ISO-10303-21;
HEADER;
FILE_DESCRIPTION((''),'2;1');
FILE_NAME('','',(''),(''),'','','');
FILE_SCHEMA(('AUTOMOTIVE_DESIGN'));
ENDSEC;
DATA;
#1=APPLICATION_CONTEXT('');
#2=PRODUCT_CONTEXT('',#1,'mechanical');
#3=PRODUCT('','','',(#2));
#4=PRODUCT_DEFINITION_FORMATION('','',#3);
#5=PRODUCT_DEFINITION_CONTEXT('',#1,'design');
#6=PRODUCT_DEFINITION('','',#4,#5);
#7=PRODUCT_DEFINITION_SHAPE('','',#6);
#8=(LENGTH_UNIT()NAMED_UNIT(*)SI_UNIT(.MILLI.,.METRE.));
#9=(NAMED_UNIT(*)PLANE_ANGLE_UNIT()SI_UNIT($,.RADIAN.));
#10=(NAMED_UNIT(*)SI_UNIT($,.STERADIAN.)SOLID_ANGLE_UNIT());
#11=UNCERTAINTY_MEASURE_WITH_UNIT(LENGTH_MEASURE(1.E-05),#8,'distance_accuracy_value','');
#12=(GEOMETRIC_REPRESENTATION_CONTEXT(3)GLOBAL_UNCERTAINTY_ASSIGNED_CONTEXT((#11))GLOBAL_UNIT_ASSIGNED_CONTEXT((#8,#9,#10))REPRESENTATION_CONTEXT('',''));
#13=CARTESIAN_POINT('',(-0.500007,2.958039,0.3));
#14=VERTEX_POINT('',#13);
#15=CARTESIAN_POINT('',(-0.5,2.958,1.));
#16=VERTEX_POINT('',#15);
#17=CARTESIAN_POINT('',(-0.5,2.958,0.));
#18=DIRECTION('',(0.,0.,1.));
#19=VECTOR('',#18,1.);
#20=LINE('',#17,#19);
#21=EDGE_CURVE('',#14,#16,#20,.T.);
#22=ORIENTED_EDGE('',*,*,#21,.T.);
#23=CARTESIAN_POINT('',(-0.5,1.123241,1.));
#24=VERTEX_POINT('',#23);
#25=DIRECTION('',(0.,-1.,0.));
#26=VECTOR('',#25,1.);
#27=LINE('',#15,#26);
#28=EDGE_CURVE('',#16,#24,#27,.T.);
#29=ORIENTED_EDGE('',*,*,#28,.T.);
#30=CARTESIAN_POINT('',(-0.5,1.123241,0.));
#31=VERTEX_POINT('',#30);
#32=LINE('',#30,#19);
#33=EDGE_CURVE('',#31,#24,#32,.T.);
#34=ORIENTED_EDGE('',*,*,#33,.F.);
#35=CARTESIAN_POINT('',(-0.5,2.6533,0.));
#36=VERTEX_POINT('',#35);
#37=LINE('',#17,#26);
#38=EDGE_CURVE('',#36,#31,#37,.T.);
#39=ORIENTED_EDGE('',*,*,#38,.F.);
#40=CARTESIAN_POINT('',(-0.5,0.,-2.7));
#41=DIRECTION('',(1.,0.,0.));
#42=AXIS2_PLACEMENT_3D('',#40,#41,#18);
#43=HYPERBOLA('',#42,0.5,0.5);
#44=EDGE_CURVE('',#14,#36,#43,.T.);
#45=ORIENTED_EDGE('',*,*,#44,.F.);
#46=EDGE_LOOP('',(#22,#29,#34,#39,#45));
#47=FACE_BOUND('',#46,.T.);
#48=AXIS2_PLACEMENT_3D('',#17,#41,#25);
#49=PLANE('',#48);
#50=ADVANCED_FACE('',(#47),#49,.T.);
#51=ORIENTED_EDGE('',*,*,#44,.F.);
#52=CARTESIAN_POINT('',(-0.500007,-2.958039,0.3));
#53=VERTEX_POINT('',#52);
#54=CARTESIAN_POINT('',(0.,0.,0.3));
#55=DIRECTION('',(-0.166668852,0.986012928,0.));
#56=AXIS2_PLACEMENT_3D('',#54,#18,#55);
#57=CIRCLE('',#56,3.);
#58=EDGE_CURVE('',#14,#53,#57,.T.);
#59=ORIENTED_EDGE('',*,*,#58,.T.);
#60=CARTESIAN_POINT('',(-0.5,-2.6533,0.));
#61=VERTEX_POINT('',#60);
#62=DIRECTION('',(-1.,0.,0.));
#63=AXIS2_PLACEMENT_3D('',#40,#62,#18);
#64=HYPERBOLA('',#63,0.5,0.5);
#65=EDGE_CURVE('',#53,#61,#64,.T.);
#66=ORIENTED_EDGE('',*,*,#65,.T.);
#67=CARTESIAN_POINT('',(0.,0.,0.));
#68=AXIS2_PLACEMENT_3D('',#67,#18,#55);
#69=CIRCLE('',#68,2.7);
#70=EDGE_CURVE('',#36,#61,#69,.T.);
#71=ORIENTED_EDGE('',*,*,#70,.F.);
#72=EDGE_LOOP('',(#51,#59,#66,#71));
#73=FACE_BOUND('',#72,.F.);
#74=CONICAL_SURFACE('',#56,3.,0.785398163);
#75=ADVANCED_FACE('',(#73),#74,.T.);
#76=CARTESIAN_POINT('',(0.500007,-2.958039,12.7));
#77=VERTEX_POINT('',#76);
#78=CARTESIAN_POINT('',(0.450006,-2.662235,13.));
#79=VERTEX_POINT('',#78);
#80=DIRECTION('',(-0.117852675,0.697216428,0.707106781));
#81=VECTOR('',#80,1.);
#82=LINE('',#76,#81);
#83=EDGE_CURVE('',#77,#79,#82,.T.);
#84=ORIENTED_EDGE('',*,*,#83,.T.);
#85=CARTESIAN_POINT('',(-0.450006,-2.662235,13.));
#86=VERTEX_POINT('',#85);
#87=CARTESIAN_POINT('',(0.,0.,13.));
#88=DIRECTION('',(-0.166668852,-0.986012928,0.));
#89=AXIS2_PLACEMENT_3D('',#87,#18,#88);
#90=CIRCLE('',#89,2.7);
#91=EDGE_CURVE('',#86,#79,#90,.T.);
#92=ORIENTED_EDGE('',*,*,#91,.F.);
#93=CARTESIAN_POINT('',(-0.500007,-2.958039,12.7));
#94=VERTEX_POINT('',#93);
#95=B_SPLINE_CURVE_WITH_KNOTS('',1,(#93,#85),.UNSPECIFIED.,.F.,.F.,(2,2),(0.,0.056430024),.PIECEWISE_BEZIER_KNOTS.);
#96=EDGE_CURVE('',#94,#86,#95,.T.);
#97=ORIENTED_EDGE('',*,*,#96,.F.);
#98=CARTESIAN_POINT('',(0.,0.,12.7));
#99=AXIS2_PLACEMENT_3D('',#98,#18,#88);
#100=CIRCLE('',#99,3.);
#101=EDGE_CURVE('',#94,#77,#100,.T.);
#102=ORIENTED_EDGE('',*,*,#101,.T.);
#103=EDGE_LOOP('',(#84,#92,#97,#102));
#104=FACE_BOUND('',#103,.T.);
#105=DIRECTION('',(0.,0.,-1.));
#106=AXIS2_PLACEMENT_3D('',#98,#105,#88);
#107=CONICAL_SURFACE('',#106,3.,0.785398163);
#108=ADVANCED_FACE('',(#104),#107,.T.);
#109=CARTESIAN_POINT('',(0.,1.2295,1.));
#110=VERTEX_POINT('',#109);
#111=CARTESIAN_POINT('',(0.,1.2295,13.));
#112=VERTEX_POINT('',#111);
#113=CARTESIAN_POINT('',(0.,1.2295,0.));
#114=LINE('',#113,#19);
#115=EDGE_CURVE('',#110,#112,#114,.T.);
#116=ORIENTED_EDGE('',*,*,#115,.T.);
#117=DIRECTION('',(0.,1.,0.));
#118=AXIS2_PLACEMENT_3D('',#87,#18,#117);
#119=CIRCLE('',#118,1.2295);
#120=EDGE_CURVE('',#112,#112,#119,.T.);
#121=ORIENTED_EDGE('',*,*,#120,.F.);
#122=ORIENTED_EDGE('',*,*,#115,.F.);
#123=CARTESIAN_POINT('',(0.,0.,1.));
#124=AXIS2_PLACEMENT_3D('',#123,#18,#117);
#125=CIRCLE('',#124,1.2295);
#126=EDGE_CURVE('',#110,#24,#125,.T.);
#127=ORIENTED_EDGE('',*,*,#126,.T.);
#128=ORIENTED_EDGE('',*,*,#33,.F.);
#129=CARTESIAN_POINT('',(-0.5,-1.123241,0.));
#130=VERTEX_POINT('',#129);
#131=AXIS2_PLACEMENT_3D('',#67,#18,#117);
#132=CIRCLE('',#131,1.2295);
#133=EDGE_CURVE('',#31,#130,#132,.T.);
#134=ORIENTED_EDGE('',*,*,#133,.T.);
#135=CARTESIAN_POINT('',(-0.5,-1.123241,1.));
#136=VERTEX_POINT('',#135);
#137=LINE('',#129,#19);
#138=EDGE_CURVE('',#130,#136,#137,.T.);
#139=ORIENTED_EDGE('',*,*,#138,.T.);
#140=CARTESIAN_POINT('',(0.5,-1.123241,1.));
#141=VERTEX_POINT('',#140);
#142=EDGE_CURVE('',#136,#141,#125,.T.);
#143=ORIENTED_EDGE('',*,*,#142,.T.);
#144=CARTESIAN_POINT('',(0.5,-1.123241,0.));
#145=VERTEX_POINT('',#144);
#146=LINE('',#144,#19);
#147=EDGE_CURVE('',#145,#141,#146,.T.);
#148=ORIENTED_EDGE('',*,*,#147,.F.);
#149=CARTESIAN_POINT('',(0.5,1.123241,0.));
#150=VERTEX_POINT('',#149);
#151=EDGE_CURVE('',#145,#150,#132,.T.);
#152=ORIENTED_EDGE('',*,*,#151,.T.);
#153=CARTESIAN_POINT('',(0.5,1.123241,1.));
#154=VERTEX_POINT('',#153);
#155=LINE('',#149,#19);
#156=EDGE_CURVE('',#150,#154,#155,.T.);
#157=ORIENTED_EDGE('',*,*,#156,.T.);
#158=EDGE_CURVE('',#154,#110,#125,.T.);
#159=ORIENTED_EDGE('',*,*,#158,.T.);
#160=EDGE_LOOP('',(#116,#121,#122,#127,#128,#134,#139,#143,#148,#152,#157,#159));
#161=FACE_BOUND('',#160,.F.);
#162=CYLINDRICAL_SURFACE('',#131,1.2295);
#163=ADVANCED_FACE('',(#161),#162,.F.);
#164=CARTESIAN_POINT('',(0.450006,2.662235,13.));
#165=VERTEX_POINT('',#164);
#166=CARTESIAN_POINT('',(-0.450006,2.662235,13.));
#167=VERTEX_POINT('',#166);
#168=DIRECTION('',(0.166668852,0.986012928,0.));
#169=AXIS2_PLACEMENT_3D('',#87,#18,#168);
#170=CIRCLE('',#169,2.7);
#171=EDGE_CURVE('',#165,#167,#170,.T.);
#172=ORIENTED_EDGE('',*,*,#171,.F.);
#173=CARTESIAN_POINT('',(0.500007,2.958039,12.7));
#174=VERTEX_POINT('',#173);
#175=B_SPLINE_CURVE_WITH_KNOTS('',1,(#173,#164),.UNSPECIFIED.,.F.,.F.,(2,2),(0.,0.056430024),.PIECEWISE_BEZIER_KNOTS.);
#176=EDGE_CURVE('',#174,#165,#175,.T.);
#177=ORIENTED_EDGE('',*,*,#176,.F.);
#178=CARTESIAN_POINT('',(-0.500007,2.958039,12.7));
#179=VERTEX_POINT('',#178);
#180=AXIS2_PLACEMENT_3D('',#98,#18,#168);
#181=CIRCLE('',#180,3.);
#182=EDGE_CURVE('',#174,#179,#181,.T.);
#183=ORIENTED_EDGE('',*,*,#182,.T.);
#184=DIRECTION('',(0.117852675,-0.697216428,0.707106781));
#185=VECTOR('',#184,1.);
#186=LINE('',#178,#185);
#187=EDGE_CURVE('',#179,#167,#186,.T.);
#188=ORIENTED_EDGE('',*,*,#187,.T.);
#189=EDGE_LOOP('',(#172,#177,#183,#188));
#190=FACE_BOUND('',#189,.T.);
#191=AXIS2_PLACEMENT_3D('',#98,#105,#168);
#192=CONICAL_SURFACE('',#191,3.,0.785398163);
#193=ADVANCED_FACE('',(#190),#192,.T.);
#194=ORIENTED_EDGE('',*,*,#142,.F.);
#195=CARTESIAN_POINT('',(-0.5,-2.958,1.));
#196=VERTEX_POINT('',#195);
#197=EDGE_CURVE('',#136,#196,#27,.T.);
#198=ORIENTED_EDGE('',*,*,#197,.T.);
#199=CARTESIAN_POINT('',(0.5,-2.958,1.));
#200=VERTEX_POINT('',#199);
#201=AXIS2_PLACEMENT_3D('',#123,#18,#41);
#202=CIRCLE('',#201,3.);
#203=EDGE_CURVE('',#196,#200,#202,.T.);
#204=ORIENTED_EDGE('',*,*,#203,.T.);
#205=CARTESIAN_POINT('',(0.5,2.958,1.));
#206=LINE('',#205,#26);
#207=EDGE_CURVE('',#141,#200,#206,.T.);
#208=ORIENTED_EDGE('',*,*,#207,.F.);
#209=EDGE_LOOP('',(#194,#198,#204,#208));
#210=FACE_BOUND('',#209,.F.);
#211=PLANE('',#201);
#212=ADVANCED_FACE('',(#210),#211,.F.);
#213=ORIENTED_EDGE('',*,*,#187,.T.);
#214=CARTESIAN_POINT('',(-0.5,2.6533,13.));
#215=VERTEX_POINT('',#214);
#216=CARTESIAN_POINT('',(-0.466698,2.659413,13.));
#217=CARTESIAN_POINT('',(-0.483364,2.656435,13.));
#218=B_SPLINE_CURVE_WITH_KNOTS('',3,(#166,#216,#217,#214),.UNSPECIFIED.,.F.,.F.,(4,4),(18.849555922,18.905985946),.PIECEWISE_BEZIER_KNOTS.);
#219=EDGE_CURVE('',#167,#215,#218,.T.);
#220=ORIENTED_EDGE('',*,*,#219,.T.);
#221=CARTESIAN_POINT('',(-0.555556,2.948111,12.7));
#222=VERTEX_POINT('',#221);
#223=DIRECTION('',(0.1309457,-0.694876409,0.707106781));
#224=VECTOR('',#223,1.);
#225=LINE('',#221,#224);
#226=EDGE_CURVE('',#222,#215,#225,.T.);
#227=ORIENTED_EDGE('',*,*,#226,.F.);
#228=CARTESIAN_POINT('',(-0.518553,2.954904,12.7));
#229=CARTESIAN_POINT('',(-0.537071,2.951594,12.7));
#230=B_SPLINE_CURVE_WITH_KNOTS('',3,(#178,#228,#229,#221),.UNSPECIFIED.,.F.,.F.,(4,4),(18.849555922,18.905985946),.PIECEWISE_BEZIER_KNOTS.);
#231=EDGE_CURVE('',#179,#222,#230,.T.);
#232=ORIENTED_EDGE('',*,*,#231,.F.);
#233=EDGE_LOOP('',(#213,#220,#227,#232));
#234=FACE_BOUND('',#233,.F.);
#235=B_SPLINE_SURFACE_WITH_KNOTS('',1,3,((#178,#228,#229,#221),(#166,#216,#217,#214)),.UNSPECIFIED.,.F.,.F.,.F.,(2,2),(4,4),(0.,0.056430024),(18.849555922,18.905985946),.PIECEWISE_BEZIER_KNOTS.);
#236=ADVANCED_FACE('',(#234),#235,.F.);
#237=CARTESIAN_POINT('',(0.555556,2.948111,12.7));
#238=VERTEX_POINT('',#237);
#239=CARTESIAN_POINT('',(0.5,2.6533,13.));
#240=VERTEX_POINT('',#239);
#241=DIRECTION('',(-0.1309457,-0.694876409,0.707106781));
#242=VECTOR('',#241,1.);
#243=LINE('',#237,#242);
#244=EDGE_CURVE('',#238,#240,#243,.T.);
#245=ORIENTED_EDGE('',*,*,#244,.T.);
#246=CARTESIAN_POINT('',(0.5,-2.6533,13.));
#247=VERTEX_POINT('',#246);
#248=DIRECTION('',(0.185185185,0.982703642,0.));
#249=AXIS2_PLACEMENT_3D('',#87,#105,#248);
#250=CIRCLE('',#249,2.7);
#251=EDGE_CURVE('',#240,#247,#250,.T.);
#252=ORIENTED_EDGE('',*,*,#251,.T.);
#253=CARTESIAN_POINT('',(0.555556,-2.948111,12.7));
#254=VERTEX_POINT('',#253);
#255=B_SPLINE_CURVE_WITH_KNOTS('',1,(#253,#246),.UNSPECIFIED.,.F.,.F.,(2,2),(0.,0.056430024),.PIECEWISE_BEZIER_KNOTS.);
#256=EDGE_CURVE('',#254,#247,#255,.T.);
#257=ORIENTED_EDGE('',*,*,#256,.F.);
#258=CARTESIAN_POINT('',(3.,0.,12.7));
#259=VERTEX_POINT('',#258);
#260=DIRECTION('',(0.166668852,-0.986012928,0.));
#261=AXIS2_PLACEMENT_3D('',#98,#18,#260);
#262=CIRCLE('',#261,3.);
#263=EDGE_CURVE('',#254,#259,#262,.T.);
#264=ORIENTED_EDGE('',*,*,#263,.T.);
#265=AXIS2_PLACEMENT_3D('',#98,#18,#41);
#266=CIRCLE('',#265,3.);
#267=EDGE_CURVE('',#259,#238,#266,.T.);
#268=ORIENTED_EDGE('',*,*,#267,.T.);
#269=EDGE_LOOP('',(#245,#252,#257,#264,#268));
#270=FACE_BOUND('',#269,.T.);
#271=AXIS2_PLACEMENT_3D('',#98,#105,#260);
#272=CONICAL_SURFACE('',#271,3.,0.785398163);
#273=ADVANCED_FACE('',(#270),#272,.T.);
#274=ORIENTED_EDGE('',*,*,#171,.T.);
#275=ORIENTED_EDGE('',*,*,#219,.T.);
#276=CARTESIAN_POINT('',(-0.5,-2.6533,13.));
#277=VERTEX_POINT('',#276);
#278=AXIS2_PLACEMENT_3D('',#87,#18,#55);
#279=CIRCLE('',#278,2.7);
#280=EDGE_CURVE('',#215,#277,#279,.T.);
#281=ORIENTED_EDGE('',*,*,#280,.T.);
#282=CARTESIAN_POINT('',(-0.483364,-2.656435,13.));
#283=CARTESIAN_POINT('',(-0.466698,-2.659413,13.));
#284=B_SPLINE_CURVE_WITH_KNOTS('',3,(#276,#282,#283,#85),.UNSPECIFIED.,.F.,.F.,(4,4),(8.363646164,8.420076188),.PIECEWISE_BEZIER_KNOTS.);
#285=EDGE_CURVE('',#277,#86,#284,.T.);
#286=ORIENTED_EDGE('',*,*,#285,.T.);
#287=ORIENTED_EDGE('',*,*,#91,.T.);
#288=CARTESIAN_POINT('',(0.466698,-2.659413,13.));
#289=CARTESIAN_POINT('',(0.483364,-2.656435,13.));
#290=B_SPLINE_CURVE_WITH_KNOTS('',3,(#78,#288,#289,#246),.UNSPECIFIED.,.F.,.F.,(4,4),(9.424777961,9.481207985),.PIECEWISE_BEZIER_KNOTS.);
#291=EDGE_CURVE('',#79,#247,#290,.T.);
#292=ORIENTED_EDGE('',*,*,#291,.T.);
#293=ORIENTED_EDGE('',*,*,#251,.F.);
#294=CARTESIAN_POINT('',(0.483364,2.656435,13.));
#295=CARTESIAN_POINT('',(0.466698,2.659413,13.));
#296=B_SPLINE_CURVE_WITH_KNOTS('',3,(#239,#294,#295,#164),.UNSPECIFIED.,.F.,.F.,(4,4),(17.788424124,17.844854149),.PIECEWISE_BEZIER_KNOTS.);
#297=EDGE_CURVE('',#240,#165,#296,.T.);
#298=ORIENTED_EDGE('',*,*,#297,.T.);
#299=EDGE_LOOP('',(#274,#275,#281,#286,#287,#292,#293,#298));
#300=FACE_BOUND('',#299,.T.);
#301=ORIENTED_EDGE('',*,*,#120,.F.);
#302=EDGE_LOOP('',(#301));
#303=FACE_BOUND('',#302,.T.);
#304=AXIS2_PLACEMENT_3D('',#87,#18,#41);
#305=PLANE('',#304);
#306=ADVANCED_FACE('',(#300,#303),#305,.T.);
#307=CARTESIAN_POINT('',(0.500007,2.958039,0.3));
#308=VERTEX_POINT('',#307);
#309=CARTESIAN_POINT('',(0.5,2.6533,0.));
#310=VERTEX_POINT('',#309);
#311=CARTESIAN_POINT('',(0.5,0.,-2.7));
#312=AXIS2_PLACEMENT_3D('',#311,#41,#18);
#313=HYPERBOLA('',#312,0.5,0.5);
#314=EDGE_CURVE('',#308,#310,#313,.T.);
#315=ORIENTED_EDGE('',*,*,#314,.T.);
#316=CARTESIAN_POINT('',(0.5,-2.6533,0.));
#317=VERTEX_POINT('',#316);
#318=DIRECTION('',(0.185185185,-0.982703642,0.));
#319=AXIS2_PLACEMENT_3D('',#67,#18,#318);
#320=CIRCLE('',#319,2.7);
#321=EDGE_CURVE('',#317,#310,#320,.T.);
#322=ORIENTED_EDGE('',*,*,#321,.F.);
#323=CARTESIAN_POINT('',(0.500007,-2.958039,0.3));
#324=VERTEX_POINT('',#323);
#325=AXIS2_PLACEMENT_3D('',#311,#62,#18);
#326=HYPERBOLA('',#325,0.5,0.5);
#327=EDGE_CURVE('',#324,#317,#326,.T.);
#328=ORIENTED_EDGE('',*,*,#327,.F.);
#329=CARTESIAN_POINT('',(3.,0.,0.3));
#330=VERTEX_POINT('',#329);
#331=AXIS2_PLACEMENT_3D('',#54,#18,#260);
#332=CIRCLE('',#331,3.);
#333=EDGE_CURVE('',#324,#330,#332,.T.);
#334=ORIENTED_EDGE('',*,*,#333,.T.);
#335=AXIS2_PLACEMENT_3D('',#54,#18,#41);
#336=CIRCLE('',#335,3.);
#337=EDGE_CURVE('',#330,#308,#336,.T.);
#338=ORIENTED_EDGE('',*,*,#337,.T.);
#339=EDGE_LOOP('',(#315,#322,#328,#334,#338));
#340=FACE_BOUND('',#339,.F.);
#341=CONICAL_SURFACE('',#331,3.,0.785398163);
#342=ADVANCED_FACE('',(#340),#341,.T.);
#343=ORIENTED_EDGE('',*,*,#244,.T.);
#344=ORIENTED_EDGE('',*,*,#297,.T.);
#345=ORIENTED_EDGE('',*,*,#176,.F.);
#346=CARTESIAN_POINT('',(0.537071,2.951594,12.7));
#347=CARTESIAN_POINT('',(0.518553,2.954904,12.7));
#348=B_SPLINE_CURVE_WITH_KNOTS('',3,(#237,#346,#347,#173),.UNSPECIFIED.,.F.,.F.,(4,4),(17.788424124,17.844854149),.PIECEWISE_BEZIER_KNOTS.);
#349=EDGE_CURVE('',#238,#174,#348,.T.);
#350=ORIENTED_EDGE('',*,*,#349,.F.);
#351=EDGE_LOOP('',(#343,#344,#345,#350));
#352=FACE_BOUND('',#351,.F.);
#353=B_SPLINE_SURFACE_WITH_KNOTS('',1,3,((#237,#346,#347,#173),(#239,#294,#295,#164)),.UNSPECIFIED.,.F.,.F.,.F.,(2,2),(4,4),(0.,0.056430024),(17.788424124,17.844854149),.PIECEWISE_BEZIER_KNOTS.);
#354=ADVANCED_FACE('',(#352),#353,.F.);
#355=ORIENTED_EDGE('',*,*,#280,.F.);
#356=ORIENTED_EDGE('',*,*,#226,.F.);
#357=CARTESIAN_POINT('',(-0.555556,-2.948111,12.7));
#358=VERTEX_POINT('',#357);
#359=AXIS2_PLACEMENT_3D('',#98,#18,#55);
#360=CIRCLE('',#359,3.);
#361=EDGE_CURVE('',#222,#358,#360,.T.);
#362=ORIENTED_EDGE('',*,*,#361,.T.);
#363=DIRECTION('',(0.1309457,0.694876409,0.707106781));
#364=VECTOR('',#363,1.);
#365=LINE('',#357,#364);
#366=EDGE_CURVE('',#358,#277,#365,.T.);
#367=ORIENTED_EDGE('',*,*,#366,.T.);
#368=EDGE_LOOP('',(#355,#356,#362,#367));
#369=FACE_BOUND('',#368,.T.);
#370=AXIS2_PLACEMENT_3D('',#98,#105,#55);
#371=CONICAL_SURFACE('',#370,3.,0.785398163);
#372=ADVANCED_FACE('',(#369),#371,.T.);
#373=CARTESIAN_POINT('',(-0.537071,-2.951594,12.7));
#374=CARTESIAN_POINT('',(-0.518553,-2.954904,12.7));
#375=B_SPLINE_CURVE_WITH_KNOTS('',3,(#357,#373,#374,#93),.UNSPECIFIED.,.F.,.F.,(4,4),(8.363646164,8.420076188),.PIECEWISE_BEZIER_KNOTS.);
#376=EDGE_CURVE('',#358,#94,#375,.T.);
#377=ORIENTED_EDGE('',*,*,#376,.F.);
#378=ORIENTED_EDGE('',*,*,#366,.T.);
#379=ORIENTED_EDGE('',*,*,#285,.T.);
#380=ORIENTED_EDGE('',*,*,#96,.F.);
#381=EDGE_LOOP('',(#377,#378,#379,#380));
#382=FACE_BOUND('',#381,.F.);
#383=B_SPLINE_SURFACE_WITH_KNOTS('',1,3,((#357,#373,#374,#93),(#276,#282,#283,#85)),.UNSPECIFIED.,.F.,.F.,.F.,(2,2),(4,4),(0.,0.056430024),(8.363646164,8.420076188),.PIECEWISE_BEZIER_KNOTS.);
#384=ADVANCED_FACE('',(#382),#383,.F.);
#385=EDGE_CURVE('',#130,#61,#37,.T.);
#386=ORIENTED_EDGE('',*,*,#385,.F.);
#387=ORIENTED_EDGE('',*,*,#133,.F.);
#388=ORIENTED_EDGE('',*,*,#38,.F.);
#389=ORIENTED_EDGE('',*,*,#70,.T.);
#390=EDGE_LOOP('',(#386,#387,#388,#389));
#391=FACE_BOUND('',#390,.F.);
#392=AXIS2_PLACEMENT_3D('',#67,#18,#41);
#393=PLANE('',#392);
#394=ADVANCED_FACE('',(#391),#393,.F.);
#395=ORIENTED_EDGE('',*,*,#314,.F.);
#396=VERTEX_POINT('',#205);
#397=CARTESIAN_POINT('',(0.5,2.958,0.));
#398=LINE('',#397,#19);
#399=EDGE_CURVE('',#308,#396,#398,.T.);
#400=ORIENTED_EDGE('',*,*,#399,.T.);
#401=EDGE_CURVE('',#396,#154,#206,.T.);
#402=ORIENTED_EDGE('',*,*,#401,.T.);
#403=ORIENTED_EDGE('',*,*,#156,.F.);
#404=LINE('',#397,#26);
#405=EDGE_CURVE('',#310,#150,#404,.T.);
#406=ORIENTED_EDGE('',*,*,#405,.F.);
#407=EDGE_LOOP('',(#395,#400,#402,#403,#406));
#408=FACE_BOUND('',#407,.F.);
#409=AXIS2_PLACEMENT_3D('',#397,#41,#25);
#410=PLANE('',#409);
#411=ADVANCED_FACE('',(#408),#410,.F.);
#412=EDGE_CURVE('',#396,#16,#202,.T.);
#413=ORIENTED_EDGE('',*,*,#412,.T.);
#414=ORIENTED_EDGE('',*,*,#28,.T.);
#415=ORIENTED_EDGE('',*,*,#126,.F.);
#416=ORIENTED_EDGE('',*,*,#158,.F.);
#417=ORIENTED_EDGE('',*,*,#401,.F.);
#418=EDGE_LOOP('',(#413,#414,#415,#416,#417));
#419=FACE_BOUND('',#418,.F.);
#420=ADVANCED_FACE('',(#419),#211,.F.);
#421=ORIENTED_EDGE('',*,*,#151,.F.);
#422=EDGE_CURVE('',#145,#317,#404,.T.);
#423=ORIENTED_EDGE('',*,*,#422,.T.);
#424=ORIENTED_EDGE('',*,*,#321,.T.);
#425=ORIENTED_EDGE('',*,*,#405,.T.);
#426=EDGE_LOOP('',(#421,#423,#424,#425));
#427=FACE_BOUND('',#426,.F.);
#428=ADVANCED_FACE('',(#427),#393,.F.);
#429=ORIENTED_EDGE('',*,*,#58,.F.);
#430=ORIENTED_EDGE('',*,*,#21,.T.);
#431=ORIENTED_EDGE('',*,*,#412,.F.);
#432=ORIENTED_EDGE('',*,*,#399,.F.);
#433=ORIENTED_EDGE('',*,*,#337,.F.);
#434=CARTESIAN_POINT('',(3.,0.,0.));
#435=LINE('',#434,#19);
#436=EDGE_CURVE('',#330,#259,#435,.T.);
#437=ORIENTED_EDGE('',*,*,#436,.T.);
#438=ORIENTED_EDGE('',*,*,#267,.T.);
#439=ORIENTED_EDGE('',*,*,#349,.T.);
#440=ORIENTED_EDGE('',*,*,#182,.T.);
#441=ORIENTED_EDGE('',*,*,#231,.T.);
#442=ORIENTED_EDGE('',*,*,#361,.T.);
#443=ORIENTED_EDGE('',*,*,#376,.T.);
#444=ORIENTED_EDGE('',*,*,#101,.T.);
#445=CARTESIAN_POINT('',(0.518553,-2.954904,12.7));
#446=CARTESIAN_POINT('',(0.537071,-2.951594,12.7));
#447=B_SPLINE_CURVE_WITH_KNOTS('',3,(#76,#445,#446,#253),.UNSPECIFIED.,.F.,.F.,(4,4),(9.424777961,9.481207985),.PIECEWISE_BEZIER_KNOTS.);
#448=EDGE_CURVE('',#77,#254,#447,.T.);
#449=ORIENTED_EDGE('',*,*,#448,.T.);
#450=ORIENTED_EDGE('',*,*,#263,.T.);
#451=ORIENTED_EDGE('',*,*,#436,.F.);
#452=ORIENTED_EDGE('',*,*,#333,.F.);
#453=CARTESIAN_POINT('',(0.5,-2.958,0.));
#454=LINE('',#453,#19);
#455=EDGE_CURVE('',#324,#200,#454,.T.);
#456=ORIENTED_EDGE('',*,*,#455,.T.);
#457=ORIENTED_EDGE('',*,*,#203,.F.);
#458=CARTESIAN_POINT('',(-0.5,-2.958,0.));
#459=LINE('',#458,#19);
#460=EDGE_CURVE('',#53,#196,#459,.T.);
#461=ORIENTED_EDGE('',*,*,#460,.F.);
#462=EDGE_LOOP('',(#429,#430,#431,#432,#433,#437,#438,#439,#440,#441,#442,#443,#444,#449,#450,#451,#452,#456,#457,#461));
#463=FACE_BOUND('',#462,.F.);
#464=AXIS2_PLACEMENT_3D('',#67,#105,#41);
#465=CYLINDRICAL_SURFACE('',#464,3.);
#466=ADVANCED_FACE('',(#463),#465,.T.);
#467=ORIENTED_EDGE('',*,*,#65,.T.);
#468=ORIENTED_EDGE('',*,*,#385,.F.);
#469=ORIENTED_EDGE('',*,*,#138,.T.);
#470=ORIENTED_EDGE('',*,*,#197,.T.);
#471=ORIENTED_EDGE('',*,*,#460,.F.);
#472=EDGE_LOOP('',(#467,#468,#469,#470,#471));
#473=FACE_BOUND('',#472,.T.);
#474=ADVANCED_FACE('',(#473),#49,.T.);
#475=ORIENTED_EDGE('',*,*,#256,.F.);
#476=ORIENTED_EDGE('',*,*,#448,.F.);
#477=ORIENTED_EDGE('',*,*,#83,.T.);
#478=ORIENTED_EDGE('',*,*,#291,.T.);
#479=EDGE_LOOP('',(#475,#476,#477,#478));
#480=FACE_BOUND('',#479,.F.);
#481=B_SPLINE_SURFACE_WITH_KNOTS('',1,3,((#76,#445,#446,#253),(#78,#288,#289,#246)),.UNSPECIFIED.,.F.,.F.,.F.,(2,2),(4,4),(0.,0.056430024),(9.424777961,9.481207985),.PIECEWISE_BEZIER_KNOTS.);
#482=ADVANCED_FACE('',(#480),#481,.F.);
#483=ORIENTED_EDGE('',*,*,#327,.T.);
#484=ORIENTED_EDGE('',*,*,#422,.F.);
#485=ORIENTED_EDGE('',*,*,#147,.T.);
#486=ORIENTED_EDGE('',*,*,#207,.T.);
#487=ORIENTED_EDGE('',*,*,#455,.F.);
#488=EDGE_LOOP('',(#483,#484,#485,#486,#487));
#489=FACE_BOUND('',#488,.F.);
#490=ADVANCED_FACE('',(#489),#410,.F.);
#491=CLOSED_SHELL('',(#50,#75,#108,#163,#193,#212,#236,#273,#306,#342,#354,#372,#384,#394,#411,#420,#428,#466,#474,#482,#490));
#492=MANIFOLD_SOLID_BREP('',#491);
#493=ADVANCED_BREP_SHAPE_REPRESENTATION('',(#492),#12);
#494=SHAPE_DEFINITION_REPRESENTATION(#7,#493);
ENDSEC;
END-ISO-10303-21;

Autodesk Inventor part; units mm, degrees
ref_plane "YZ Plane" through (0, 0, 0) normal (1, 0, 0) x (0, 1, 0)
ref_plane "XZ Plane" through (0, 0, 0) normal (0, 1, 0) x (-1, 0, 0)
ref_plane "XY Plane" through (0, 0, 0) normal (0, 0, 1) x (1, 0, 0)
sketch "スケッチ1" plane through (0, 0, 0) normal (0, 0, 1) x (1, 0, 0)
  circle A0 centre (0, 0) radius 3
  line L0 (0, 3) -> (0, -3) construction
  line L1 (-0.5, 2.958) -> (-0.5, -2.958)
  line L2 (0.5, 2.958) -> (0.5, -2.958)
  dimension "d0" = 6
  dimension "d1" = 1
extrude "押し出し1" add sketch "スケッチ1" along normal blind 13
extrude "押し出し2" cut sketch "スケッチ1" along normal blind 1 contours L2 A0 L1
chamfer "面取り1" distance 0.3 angle 45 4 edges at (-3, 0, 13) (2.2913, 1.9365, 0) (2.2913, -1.9365, 0) (-3, 0, 0)
hole "穴1" at (0, 0, 0) direction (0, 0, 1) diameter 2.459 end through all thread size "M3x0.5" class "6H" standard "ISO Metric profile"
properties part number "ARL-313SBE" material "アルミニウム 2014-T4"
